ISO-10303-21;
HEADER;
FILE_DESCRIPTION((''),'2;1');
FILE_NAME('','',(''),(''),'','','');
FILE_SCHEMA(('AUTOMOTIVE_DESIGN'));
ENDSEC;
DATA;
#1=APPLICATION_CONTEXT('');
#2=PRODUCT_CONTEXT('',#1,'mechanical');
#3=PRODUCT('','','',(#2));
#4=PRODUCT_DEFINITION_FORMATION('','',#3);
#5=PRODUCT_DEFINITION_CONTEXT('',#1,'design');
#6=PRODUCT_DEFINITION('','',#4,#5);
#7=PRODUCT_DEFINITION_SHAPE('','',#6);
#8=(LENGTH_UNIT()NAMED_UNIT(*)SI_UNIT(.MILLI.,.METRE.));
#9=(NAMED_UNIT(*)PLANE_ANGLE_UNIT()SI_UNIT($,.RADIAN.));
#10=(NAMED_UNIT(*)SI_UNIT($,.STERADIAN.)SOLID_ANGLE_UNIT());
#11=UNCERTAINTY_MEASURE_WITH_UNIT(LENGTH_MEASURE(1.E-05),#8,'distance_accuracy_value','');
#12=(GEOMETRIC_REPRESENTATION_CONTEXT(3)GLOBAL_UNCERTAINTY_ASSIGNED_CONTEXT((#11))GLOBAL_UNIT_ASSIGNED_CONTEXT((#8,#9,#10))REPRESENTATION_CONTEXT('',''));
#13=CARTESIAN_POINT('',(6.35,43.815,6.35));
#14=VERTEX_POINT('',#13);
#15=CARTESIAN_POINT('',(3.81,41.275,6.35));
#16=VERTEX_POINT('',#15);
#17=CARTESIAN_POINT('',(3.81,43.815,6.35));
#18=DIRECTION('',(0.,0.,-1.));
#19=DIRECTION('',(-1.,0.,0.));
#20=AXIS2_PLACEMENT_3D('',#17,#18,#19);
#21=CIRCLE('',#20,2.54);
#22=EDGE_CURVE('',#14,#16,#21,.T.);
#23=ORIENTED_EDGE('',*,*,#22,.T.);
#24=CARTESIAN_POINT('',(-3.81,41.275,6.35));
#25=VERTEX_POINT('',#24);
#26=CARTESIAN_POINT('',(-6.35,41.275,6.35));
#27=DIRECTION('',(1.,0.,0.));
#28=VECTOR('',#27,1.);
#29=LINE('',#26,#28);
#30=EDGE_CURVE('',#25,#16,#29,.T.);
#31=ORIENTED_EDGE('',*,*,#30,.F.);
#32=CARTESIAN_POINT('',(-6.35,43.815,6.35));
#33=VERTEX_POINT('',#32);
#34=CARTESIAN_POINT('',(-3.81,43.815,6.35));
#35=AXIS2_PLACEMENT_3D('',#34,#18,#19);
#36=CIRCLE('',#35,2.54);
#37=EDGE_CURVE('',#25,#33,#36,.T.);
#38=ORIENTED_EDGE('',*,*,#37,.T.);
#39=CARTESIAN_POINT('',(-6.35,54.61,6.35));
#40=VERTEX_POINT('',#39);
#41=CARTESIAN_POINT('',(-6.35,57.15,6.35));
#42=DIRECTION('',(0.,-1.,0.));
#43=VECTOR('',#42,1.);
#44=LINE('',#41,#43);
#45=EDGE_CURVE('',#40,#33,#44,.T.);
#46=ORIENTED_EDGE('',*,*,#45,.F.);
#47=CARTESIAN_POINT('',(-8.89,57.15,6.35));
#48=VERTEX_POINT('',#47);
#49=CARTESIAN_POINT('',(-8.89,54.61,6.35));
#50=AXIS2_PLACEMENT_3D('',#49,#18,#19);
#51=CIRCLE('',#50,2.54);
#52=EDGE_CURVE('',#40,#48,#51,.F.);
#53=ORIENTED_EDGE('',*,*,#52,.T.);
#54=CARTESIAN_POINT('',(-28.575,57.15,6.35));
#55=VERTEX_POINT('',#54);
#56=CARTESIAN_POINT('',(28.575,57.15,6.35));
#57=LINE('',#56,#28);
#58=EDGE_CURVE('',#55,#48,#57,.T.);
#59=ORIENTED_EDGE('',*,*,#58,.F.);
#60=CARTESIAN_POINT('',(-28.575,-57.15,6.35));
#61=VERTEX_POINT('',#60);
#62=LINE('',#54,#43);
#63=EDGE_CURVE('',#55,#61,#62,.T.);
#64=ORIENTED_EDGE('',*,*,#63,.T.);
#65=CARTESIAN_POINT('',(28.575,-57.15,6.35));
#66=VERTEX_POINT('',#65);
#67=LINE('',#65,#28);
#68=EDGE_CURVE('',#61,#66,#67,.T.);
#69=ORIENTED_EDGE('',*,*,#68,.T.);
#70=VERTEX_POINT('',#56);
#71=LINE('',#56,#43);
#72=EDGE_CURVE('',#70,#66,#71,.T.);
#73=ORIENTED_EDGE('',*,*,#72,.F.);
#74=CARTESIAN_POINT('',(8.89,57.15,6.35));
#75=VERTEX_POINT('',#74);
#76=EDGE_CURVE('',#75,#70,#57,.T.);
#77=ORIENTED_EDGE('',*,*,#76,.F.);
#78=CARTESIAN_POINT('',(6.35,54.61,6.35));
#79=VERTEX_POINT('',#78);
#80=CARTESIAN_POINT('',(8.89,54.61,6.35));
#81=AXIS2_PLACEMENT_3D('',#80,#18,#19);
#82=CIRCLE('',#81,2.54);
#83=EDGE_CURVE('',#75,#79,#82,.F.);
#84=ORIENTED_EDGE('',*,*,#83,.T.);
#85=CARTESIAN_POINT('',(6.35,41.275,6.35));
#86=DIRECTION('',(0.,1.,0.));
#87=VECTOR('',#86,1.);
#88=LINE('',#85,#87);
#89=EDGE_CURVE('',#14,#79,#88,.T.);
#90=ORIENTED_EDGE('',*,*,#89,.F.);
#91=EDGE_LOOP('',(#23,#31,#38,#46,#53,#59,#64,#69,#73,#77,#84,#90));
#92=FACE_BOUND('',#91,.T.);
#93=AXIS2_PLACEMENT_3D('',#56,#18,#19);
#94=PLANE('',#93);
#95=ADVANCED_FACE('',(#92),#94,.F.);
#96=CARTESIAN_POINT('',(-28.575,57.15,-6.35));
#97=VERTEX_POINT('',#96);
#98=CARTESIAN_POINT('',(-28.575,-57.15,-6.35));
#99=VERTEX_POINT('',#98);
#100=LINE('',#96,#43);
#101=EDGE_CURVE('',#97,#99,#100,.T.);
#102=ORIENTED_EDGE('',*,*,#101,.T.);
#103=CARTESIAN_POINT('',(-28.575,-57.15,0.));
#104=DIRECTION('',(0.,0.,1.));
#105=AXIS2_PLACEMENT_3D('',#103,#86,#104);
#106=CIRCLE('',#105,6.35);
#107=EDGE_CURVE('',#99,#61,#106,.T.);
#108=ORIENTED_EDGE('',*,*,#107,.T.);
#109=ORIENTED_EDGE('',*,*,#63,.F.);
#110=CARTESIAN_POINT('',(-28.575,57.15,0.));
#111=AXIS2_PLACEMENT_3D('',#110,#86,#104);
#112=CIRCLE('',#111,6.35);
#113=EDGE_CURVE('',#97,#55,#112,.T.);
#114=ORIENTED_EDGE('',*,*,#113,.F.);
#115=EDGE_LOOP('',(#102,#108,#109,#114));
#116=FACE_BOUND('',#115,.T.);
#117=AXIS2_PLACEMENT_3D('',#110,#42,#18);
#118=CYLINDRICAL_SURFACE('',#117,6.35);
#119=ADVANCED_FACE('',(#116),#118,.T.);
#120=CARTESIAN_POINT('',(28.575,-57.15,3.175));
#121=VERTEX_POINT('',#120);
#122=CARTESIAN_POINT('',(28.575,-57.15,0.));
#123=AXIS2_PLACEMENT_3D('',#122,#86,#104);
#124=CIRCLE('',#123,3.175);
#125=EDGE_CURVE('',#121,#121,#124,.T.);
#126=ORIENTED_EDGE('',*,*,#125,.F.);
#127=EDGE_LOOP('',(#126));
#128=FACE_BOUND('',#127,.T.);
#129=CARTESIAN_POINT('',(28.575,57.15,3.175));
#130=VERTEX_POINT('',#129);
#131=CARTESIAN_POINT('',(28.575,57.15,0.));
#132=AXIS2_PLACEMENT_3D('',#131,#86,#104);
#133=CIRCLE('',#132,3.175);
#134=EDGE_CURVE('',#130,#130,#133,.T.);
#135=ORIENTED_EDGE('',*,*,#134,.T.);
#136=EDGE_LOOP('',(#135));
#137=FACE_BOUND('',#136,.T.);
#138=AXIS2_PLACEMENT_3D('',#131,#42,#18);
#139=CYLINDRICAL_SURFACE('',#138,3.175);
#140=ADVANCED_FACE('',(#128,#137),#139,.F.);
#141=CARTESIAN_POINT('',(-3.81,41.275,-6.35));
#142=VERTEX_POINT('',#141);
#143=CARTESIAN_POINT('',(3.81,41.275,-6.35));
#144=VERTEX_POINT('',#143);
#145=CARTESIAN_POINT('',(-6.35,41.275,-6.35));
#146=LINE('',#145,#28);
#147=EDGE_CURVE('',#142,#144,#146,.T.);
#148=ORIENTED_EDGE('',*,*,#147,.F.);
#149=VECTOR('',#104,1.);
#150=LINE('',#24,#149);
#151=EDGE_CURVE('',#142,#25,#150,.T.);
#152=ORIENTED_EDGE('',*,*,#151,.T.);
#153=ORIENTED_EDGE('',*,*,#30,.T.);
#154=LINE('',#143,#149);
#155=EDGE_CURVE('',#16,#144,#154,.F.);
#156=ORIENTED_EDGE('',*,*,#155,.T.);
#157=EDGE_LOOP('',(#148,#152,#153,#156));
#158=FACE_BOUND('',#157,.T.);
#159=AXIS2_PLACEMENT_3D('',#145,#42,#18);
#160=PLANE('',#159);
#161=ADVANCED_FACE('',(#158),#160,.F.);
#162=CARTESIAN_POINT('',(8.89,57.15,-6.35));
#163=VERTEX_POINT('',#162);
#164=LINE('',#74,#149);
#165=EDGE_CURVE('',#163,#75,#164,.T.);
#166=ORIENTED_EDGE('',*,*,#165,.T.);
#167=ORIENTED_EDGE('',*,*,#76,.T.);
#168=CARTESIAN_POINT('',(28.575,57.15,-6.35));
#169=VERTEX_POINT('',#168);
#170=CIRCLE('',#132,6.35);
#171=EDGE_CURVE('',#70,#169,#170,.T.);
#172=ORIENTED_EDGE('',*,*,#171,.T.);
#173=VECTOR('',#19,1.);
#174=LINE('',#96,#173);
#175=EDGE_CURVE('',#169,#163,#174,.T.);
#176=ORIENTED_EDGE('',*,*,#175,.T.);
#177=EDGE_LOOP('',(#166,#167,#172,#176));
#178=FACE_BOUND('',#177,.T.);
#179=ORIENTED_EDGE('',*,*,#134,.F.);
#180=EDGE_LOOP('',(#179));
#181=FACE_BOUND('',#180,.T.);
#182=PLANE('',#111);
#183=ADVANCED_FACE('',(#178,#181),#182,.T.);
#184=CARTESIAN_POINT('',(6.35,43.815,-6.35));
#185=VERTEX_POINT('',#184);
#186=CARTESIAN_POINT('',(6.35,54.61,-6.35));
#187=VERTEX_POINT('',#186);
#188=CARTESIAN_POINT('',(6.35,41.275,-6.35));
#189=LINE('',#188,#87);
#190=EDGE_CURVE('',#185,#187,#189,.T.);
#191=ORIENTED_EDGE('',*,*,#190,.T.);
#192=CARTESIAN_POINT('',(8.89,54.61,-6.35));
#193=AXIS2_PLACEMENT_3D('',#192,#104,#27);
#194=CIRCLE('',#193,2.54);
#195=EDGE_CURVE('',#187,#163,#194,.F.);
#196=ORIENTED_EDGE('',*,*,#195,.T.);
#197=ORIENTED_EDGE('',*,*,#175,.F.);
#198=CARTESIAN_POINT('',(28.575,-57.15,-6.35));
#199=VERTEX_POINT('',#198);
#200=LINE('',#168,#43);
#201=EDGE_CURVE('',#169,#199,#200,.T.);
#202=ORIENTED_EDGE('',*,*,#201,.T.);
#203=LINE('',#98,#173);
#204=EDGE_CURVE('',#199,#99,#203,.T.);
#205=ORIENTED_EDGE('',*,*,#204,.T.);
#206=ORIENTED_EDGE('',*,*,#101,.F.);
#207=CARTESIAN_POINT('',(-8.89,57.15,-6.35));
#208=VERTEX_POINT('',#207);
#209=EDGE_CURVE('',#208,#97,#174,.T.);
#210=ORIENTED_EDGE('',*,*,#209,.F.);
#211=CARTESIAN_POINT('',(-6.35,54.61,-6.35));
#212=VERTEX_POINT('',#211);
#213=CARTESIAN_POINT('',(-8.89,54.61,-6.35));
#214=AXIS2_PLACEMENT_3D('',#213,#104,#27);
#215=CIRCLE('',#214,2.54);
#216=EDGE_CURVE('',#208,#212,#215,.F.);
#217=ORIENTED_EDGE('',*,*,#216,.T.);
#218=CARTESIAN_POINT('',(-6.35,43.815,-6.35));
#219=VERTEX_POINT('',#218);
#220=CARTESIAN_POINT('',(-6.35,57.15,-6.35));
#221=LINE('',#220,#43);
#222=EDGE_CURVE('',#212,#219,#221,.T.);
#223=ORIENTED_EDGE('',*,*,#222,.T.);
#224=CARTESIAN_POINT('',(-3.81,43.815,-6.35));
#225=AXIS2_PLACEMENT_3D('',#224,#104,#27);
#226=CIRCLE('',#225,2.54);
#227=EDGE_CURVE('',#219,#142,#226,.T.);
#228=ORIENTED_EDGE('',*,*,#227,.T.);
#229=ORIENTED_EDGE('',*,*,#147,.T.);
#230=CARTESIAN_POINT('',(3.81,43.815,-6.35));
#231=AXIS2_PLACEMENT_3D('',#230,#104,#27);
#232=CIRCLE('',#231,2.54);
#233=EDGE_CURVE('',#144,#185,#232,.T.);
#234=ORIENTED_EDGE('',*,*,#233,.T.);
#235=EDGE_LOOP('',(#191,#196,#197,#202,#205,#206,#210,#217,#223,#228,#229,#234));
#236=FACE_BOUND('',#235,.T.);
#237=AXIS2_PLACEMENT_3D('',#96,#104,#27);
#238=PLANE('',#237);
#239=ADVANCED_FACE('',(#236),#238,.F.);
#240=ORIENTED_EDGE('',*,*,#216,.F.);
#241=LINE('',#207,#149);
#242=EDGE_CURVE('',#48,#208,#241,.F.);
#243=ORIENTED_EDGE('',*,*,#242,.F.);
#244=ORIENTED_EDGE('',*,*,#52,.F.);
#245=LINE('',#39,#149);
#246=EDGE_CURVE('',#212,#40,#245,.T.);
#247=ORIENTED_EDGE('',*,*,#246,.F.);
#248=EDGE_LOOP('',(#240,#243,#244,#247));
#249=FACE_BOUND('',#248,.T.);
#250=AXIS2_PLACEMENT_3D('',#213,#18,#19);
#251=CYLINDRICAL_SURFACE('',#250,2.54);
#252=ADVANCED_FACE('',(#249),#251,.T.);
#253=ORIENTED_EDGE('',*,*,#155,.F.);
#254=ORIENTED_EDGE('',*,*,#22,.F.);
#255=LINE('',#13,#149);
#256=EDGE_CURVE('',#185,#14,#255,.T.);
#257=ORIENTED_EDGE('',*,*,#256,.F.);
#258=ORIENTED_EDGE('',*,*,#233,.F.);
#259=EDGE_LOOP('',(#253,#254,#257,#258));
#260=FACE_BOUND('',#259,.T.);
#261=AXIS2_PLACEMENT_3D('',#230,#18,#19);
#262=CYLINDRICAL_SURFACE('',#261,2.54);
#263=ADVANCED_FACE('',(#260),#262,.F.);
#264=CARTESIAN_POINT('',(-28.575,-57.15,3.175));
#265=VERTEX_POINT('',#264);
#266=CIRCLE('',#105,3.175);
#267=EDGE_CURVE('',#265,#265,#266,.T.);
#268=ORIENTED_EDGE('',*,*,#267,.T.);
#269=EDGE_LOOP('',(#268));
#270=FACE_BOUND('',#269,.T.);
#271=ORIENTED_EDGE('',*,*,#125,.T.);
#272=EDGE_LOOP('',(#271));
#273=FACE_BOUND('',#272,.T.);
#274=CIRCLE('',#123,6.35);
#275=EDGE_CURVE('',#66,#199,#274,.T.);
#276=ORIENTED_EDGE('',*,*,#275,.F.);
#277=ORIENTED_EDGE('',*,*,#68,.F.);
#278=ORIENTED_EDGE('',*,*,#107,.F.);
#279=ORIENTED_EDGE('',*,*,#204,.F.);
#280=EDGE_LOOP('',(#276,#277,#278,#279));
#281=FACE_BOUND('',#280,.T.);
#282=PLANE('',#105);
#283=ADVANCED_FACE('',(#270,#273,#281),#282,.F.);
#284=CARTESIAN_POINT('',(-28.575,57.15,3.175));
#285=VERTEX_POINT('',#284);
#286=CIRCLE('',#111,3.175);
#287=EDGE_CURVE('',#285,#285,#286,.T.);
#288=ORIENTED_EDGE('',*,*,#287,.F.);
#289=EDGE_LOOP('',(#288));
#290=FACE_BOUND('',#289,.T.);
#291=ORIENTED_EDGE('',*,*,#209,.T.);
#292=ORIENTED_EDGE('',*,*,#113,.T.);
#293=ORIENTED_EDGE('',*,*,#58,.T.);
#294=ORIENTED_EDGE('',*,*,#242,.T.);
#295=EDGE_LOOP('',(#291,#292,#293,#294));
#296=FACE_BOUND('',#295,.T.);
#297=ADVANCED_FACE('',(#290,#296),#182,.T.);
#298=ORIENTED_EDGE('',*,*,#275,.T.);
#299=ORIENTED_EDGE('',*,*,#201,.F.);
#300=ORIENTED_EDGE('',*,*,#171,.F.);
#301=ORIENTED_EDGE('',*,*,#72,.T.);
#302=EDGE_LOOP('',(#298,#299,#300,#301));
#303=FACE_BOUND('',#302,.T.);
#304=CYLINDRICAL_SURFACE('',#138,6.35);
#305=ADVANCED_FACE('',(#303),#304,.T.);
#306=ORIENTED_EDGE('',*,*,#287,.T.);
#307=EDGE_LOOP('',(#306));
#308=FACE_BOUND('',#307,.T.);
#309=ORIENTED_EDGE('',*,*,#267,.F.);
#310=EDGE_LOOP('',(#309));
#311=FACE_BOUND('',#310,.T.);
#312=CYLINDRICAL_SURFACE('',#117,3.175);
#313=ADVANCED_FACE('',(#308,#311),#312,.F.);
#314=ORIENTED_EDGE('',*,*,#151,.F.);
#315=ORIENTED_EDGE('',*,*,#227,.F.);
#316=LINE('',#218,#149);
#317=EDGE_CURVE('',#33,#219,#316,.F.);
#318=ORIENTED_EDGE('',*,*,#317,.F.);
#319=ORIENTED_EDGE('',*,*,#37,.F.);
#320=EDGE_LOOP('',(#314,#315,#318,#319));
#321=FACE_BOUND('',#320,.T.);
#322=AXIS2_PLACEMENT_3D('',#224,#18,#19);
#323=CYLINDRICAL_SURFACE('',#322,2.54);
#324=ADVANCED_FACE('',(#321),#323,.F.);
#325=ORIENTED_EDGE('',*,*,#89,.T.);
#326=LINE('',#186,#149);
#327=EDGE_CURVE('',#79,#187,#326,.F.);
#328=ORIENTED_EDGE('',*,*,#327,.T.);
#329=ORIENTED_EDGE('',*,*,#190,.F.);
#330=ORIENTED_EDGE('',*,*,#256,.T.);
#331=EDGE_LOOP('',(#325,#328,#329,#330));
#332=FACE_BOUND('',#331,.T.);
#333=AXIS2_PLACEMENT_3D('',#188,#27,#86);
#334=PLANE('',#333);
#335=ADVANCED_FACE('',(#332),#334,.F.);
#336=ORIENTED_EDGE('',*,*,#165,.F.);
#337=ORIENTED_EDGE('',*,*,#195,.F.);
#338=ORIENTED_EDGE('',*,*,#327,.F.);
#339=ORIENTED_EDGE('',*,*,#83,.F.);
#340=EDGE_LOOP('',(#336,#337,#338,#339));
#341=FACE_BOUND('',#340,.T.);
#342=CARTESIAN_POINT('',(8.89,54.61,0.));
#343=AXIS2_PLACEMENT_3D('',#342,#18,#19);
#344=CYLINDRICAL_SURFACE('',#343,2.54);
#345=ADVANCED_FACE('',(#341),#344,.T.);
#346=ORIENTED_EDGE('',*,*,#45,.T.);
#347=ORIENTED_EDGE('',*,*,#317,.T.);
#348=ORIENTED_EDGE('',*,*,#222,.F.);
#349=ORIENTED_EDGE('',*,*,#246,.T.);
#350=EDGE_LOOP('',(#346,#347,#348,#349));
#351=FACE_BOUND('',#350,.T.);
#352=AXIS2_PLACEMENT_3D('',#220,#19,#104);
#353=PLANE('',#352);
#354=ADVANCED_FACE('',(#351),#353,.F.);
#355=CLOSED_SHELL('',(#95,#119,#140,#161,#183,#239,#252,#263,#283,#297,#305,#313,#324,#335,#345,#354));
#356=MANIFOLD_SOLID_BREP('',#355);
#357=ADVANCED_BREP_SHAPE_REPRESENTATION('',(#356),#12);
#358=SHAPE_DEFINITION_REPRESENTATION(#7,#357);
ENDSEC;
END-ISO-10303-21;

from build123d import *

# Parameters (mm, degrees)
SKETCH2_R           = 3.175
BOSS_EXTRUDE1_DEPTH = 57.15
SKETCH7_W           = 12.7
SKETCH7_H           = 15.875
CUT_EXTRUDE3_DEPTH  = 69.170141008
FILLET1_R           = 2.54


with BuildPart() as part:
    # Sketch2 → Boss-Extrude1 (new, symmetric)
    with BuildSketch(Plane(origin=(0, 0, 0), x_dir=(1, 0, 0), z_dir=(0, 1, 0))):
        with BuildLine():
            Line((-28.575, 6.35), (28.575, 6.35))
            ThreePointArc((28.575, 6.35), (34.925, 0), (28.575, -6.35))
            Line((28.575, -6.35), (-28.575, -6.35))
            ThreePointArc((-28.575, -6.35), (-34.925, 0), (-28.575, 6.35))
        make_face()
        with Locations(Location((28.575, 0, 0), (0, 0, 270))):
            Circle(SKETCH2_R, mode=Mode.SUBTRACT)
        with Locations(Location((-28.575, 0, 0), (0, 0, 270))):
            Circle(SKETCH2_R, mode=Mode.SUBTRACT)
    extrude(amount=BOSS_EXTRUDE1_DEPTH, both=True)

    # Sketch7 → Cut-Extrude3 (cut, through all)
    with BuildSketch(Plane.XY.offset(6.35)):
        with Locations((0, 49.2125)):
            Rectangle(SKETCH7_W, SKETCH7_H)
    extrude(amount=-CUT_EXTRUDE3_DEPTH, mode=Mode.SUBTRACT)

    # Fillet1
    fillet1_edges = [part.edges().sort_by_distance(p)[0] for p in [
        (-6.35, 57.15, 0),
        (6.35, 57.15, 0),
        (6.35, 41.275, 0),
        (-6.35, 41.275, 0),
    ]]
    fillet(fillet1_edges, radius=FILLET1_R)


solid = part.part
